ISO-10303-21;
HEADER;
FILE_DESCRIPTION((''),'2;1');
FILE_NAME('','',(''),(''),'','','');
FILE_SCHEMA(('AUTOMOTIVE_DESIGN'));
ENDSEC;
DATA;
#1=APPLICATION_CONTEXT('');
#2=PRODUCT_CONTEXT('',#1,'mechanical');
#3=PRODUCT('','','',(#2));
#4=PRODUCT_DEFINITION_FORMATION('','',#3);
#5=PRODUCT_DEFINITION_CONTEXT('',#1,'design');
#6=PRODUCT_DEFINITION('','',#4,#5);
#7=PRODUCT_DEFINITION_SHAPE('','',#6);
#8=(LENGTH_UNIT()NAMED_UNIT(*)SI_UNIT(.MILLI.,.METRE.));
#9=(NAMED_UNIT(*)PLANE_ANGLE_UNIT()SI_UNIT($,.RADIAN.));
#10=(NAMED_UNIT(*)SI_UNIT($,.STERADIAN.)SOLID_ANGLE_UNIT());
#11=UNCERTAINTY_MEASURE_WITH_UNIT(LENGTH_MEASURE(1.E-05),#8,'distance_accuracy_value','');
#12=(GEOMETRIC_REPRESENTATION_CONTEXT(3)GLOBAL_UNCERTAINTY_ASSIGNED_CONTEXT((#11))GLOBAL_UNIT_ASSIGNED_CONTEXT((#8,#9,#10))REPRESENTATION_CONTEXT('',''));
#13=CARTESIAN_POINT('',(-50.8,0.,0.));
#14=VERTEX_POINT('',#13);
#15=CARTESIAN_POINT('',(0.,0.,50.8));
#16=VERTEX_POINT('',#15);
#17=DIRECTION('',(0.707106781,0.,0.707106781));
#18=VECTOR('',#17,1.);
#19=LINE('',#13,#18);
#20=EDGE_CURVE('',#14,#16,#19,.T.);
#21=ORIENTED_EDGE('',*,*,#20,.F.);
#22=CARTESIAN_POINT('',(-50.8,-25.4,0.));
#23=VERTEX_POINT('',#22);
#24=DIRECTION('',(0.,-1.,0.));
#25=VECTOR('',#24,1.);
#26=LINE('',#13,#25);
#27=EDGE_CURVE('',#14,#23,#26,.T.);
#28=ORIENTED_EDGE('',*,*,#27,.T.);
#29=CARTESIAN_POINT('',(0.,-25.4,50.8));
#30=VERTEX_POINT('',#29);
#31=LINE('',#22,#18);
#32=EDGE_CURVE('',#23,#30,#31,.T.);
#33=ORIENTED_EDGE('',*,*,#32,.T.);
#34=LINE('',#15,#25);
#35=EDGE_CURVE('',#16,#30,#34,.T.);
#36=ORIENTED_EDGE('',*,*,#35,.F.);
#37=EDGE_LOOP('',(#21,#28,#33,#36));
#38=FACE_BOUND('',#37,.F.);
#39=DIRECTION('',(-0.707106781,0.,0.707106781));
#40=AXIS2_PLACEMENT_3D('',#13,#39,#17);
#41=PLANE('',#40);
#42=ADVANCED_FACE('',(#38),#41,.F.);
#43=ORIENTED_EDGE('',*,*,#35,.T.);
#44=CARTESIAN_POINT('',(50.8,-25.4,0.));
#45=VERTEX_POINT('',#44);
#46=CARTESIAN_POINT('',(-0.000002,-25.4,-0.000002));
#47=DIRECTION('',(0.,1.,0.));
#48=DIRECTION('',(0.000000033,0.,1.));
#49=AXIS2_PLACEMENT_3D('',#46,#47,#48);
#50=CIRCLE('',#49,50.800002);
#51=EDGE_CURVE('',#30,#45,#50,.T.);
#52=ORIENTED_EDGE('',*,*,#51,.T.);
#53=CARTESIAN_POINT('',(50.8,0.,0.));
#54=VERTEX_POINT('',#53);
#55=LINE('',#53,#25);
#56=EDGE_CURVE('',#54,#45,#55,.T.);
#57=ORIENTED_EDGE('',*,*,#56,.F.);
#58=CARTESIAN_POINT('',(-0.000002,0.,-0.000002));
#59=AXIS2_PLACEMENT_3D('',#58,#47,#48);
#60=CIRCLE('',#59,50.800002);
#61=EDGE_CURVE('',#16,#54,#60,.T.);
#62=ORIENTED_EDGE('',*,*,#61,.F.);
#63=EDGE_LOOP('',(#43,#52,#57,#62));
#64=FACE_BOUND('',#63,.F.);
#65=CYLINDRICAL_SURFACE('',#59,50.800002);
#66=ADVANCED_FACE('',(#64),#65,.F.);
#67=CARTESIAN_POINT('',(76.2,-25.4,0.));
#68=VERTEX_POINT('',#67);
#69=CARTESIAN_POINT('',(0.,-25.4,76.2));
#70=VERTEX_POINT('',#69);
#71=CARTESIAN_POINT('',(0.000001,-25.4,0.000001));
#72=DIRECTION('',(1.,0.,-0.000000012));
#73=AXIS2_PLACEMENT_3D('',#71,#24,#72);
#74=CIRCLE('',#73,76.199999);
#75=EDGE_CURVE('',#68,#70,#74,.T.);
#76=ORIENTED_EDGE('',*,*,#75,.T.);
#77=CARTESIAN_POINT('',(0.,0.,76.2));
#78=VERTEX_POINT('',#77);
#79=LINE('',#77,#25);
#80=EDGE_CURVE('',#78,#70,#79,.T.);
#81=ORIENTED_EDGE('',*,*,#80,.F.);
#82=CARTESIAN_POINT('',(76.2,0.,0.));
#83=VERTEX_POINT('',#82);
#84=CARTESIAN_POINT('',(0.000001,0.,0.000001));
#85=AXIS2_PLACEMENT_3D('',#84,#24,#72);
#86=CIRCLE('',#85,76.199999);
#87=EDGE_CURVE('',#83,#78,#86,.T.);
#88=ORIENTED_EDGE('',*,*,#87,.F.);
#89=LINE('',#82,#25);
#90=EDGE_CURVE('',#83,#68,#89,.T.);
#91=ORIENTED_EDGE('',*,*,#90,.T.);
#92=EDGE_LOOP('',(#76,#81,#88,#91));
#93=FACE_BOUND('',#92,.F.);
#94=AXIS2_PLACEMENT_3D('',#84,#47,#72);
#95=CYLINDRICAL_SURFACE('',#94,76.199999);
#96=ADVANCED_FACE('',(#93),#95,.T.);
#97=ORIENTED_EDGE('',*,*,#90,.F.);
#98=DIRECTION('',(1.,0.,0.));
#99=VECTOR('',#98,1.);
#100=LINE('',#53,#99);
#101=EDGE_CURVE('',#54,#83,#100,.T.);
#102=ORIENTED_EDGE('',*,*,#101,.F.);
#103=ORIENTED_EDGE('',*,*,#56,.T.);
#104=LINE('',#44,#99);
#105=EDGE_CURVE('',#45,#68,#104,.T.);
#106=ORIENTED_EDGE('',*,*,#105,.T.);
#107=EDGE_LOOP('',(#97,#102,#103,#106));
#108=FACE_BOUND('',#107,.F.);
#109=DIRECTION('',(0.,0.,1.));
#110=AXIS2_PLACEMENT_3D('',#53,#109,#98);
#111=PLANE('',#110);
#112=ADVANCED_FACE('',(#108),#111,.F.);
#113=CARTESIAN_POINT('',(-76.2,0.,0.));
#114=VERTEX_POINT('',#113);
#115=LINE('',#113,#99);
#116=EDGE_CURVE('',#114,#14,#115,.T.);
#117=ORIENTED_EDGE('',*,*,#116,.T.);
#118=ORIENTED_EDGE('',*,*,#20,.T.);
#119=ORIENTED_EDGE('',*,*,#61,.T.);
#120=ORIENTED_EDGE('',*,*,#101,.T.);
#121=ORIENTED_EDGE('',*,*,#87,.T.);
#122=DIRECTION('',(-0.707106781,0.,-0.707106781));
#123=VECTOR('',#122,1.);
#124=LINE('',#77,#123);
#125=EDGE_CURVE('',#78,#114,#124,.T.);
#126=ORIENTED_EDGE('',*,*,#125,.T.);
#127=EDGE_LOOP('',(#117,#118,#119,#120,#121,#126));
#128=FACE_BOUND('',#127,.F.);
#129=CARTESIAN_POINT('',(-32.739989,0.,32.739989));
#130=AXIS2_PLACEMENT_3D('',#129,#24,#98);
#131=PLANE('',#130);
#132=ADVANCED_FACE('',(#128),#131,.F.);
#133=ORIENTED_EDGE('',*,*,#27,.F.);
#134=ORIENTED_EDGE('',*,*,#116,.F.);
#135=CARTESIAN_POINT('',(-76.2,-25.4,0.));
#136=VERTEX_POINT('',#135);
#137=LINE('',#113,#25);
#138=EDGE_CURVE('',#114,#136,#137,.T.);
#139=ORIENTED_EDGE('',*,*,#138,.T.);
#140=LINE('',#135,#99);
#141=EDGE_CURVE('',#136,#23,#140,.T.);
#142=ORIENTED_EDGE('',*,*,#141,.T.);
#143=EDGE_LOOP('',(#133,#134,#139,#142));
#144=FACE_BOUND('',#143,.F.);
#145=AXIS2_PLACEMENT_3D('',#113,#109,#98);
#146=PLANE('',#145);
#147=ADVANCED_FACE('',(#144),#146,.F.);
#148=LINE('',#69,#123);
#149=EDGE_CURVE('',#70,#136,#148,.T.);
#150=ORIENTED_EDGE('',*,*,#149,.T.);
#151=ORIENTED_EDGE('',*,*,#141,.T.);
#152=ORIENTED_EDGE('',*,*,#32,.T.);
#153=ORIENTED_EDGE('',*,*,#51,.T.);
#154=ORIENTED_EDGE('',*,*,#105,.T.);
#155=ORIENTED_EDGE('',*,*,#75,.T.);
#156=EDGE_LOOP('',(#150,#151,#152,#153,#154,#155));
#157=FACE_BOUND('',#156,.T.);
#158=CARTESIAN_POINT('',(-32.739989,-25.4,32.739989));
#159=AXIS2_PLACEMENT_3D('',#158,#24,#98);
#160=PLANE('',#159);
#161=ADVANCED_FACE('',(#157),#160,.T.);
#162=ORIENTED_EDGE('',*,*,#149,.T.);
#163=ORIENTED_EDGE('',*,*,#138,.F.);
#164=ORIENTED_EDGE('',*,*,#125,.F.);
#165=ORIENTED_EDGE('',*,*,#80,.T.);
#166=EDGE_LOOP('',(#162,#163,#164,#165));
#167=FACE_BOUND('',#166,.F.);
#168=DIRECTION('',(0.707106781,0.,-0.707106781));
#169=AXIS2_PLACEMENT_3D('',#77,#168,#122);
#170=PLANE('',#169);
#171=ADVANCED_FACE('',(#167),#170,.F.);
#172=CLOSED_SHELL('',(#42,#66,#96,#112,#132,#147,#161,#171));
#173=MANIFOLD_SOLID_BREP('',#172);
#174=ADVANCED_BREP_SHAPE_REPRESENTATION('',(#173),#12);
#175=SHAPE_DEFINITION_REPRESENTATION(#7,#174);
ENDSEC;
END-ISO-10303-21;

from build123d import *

# Parameters (mm, degrees)
F1_DEPTH = 25.4


with BuildPart() as f1:
    # F0 (on Front) → F1 (new body)
    with BuildSketch(Plane.XZ):
        Polygon((-50.8, 0), (0, 50.8), (0, 76.2), (-76.2, 0), align=None)
        with BuildLine():
            Line((0, 76.2), (0, 50.8))
            ThreePointArc((0, 50.8), (35.921024, 35.921024), (50.8, 0))
            Line((50.8, 0), (76.2, 0))
            ThreePointArc((76.2, 0), (53.881537, 53.881537), (0, 76.2))
        make_face()
    extrude(amount=F1_DEPTH)


solid = f1.part
